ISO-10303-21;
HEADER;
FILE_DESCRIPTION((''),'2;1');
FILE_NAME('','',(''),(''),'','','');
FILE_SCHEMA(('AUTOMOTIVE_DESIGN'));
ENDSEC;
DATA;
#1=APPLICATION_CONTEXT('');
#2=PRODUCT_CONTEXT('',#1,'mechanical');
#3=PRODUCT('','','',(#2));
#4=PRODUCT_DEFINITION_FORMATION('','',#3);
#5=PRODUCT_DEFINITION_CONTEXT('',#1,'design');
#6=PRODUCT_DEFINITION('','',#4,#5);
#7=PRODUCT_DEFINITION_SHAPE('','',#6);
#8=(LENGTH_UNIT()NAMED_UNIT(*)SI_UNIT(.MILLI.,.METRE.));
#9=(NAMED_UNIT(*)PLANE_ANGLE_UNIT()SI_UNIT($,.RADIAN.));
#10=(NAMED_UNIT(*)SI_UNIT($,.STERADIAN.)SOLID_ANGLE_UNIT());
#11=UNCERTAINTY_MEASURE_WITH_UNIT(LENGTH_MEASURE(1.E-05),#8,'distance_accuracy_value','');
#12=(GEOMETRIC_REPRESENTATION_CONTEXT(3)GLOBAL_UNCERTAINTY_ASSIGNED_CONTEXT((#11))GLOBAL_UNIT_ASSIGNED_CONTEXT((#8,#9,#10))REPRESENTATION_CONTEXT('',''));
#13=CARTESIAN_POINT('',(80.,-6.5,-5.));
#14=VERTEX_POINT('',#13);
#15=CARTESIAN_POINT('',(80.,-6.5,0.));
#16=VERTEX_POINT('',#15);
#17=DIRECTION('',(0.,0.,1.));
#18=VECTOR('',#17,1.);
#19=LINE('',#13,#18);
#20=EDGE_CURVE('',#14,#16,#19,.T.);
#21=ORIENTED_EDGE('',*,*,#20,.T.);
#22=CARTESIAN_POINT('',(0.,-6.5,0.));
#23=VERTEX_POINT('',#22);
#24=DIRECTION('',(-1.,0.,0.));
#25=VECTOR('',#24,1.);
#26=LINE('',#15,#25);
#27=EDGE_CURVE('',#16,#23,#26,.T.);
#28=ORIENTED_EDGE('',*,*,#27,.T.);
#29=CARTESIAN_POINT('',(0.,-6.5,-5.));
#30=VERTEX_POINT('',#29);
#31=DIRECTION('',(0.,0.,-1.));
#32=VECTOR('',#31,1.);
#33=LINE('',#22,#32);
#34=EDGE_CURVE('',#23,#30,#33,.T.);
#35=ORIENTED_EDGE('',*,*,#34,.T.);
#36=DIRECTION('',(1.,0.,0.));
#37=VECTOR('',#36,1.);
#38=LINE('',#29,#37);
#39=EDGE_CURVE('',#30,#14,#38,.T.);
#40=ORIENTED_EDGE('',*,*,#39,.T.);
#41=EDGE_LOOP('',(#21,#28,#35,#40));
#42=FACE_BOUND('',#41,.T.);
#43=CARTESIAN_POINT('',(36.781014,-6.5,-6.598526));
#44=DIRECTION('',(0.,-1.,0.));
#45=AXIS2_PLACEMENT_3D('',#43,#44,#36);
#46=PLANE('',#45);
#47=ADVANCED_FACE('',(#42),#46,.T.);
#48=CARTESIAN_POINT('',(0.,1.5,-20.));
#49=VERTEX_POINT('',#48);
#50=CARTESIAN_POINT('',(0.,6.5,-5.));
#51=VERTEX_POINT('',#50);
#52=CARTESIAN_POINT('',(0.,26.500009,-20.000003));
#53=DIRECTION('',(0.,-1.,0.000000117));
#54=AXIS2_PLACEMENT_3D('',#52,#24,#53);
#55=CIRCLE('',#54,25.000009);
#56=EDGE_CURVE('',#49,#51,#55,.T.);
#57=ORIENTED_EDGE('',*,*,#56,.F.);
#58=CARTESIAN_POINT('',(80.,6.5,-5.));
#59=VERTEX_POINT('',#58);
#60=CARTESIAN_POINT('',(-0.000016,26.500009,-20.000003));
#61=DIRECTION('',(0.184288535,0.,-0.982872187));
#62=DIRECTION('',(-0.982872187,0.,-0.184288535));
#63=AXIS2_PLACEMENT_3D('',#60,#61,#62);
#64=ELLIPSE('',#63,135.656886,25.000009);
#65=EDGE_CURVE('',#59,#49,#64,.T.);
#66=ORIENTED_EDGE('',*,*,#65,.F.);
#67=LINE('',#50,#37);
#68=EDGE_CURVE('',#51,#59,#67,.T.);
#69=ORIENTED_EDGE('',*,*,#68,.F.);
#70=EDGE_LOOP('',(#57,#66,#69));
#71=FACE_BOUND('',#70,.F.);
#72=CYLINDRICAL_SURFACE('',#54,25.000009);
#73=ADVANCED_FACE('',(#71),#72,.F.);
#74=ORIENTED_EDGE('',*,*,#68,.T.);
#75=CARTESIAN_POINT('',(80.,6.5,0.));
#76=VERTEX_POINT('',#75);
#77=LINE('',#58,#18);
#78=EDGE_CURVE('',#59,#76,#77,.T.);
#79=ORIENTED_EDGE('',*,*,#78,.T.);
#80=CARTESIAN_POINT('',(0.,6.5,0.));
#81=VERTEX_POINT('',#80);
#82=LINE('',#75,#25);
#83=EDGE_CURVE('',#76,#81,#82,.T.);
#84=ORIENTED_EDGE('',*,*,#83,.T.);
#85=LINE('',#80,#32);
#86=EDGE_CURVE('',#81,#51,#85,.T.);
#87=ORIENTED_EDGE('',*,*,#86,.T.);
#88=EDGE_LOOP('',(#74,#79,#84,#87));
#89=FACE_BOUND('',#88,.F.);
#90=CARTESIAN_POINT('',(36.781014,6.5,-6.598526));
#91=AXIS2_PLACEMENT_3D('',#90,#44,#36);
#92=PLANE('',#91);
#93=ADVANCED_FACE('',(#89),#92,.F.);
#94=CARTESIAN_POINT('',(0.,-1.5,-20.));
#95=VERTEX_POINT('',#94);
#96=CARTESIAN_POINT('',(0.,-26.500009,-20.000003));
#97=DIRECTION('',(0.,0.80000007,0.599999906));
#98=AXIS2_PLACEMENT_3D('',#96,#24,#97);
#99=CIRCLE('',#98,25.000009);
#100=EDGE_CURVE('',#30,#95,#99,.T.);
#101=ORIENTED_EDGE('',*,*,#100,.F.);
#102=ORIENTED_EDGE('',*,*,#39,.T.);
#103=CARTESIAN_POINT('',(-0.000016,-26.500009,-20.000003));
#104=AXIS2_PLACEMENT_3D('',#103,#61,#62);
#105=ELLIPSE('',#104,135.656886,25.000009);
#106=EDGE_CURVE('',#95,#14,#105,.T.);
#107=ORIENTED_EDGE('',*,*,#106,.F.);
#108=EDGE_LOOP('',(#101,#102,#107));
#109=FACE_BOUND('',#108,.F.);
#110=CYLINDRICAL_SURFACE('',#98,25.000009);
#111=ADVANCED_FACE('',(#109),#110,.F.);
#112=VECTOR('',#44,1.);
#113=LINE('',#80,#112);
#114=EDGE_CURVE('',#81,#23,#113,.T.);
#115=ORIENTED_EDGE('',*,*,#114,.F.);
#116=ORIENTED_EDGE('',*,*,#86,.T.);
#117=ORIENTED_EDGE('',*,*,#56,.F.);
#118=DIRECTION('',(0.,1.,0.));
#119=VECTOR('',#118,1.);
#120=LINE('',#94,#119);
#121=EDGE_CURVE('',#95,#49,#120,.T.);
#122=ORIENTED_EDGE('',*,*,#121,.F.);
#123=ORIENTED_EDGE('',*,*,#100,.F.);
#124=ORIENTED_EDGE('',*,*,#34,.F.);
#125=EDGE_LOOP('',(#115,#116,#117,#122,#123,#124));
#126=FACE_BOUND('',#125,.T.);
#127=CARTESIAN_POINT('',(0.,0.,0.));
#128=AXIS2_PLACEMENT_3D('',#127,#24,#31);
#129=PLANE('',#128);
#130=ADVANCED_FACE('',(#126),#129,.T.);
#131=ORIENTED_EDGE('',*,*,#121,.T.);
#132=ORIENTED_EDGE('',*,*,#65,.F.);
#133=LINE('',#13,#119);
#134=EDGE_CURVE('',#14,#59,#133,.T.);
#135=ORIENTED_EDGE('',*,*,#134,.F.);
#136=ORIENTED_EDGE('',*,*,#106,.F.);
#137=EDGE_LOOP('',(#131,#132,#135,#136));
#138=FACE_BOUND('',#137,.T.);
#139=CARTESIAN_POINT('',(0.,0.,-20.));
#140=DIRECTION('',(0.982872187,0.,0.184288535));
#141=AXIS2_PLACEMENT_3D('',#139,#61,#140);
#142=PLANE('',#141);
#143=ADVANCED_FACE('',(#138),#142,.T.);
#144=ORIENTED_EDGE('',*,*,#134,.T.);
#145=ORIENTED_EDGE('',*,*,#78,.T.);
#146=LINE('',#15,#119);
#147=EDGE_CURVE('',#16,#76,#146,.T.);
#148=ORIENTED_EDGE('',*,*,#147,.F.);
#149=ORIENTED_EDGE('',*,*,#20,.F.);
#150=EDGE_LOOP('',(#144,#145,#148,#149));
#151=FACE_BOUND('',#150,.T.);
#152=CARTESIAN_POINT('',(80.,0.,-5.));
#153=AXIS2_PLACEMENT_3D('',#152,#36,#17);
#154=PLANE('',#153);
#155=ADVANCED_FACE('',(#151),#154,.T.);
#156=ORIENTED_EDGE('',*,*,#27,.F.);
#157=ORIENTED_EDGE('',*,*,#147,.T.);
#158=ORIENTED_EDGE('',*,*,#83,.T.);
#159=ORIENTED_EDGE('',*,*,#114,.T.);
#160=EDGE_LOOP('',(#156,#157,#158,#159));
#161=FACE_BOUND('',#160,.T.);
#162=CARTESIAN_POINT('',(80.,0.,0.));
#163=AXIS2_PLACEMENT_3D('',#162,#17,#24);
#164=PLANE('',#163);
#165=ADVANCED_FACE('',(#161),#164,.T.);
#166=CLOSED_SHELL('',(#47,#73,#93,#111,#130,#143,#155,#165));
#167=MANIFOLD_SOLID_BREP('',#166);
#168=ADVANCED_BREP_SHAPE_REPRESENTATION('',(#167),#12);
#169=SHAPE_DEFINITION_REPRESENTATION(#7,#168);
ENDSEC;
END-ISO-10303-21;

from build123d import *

# Parameters (mm, degrees)
F1_DEPTH = 6.5
F3_DEPTH = 80


with BuildPart() as f1:
    # F0 (on Front) → F1 (new body, symmetric)
    with BuildSketch(Plane.XZ):
        Polygon((80, 0), (0, 0), (0, -20), (80, -5), align=None)
    extrude(amount=F1_DEPTH, both=True)

    # F2 (on Right) → F3 (intersect)
    with BuildSketch(Plane.YZ):
        with BuildLine():
            Line((6.5, 0), (-6.5, 0))
            Line((-6.5, 0), (-6.5, -5))
            ThreePointArc((-6.5, -5), (-2.782918, -12.094306), (-1.5, -20))
            Line((-1.5, -20), (1.5, -20))
            ThreePointArc((1.5, -20), (2.782918, -12.094306), (6.5, -5))
            Line((6.5, -5), (6.5, 0))
        make_face()
    extrude(amount=F3_DEPTH, mode=Mode.INTERSECT)


solid = f1.part
